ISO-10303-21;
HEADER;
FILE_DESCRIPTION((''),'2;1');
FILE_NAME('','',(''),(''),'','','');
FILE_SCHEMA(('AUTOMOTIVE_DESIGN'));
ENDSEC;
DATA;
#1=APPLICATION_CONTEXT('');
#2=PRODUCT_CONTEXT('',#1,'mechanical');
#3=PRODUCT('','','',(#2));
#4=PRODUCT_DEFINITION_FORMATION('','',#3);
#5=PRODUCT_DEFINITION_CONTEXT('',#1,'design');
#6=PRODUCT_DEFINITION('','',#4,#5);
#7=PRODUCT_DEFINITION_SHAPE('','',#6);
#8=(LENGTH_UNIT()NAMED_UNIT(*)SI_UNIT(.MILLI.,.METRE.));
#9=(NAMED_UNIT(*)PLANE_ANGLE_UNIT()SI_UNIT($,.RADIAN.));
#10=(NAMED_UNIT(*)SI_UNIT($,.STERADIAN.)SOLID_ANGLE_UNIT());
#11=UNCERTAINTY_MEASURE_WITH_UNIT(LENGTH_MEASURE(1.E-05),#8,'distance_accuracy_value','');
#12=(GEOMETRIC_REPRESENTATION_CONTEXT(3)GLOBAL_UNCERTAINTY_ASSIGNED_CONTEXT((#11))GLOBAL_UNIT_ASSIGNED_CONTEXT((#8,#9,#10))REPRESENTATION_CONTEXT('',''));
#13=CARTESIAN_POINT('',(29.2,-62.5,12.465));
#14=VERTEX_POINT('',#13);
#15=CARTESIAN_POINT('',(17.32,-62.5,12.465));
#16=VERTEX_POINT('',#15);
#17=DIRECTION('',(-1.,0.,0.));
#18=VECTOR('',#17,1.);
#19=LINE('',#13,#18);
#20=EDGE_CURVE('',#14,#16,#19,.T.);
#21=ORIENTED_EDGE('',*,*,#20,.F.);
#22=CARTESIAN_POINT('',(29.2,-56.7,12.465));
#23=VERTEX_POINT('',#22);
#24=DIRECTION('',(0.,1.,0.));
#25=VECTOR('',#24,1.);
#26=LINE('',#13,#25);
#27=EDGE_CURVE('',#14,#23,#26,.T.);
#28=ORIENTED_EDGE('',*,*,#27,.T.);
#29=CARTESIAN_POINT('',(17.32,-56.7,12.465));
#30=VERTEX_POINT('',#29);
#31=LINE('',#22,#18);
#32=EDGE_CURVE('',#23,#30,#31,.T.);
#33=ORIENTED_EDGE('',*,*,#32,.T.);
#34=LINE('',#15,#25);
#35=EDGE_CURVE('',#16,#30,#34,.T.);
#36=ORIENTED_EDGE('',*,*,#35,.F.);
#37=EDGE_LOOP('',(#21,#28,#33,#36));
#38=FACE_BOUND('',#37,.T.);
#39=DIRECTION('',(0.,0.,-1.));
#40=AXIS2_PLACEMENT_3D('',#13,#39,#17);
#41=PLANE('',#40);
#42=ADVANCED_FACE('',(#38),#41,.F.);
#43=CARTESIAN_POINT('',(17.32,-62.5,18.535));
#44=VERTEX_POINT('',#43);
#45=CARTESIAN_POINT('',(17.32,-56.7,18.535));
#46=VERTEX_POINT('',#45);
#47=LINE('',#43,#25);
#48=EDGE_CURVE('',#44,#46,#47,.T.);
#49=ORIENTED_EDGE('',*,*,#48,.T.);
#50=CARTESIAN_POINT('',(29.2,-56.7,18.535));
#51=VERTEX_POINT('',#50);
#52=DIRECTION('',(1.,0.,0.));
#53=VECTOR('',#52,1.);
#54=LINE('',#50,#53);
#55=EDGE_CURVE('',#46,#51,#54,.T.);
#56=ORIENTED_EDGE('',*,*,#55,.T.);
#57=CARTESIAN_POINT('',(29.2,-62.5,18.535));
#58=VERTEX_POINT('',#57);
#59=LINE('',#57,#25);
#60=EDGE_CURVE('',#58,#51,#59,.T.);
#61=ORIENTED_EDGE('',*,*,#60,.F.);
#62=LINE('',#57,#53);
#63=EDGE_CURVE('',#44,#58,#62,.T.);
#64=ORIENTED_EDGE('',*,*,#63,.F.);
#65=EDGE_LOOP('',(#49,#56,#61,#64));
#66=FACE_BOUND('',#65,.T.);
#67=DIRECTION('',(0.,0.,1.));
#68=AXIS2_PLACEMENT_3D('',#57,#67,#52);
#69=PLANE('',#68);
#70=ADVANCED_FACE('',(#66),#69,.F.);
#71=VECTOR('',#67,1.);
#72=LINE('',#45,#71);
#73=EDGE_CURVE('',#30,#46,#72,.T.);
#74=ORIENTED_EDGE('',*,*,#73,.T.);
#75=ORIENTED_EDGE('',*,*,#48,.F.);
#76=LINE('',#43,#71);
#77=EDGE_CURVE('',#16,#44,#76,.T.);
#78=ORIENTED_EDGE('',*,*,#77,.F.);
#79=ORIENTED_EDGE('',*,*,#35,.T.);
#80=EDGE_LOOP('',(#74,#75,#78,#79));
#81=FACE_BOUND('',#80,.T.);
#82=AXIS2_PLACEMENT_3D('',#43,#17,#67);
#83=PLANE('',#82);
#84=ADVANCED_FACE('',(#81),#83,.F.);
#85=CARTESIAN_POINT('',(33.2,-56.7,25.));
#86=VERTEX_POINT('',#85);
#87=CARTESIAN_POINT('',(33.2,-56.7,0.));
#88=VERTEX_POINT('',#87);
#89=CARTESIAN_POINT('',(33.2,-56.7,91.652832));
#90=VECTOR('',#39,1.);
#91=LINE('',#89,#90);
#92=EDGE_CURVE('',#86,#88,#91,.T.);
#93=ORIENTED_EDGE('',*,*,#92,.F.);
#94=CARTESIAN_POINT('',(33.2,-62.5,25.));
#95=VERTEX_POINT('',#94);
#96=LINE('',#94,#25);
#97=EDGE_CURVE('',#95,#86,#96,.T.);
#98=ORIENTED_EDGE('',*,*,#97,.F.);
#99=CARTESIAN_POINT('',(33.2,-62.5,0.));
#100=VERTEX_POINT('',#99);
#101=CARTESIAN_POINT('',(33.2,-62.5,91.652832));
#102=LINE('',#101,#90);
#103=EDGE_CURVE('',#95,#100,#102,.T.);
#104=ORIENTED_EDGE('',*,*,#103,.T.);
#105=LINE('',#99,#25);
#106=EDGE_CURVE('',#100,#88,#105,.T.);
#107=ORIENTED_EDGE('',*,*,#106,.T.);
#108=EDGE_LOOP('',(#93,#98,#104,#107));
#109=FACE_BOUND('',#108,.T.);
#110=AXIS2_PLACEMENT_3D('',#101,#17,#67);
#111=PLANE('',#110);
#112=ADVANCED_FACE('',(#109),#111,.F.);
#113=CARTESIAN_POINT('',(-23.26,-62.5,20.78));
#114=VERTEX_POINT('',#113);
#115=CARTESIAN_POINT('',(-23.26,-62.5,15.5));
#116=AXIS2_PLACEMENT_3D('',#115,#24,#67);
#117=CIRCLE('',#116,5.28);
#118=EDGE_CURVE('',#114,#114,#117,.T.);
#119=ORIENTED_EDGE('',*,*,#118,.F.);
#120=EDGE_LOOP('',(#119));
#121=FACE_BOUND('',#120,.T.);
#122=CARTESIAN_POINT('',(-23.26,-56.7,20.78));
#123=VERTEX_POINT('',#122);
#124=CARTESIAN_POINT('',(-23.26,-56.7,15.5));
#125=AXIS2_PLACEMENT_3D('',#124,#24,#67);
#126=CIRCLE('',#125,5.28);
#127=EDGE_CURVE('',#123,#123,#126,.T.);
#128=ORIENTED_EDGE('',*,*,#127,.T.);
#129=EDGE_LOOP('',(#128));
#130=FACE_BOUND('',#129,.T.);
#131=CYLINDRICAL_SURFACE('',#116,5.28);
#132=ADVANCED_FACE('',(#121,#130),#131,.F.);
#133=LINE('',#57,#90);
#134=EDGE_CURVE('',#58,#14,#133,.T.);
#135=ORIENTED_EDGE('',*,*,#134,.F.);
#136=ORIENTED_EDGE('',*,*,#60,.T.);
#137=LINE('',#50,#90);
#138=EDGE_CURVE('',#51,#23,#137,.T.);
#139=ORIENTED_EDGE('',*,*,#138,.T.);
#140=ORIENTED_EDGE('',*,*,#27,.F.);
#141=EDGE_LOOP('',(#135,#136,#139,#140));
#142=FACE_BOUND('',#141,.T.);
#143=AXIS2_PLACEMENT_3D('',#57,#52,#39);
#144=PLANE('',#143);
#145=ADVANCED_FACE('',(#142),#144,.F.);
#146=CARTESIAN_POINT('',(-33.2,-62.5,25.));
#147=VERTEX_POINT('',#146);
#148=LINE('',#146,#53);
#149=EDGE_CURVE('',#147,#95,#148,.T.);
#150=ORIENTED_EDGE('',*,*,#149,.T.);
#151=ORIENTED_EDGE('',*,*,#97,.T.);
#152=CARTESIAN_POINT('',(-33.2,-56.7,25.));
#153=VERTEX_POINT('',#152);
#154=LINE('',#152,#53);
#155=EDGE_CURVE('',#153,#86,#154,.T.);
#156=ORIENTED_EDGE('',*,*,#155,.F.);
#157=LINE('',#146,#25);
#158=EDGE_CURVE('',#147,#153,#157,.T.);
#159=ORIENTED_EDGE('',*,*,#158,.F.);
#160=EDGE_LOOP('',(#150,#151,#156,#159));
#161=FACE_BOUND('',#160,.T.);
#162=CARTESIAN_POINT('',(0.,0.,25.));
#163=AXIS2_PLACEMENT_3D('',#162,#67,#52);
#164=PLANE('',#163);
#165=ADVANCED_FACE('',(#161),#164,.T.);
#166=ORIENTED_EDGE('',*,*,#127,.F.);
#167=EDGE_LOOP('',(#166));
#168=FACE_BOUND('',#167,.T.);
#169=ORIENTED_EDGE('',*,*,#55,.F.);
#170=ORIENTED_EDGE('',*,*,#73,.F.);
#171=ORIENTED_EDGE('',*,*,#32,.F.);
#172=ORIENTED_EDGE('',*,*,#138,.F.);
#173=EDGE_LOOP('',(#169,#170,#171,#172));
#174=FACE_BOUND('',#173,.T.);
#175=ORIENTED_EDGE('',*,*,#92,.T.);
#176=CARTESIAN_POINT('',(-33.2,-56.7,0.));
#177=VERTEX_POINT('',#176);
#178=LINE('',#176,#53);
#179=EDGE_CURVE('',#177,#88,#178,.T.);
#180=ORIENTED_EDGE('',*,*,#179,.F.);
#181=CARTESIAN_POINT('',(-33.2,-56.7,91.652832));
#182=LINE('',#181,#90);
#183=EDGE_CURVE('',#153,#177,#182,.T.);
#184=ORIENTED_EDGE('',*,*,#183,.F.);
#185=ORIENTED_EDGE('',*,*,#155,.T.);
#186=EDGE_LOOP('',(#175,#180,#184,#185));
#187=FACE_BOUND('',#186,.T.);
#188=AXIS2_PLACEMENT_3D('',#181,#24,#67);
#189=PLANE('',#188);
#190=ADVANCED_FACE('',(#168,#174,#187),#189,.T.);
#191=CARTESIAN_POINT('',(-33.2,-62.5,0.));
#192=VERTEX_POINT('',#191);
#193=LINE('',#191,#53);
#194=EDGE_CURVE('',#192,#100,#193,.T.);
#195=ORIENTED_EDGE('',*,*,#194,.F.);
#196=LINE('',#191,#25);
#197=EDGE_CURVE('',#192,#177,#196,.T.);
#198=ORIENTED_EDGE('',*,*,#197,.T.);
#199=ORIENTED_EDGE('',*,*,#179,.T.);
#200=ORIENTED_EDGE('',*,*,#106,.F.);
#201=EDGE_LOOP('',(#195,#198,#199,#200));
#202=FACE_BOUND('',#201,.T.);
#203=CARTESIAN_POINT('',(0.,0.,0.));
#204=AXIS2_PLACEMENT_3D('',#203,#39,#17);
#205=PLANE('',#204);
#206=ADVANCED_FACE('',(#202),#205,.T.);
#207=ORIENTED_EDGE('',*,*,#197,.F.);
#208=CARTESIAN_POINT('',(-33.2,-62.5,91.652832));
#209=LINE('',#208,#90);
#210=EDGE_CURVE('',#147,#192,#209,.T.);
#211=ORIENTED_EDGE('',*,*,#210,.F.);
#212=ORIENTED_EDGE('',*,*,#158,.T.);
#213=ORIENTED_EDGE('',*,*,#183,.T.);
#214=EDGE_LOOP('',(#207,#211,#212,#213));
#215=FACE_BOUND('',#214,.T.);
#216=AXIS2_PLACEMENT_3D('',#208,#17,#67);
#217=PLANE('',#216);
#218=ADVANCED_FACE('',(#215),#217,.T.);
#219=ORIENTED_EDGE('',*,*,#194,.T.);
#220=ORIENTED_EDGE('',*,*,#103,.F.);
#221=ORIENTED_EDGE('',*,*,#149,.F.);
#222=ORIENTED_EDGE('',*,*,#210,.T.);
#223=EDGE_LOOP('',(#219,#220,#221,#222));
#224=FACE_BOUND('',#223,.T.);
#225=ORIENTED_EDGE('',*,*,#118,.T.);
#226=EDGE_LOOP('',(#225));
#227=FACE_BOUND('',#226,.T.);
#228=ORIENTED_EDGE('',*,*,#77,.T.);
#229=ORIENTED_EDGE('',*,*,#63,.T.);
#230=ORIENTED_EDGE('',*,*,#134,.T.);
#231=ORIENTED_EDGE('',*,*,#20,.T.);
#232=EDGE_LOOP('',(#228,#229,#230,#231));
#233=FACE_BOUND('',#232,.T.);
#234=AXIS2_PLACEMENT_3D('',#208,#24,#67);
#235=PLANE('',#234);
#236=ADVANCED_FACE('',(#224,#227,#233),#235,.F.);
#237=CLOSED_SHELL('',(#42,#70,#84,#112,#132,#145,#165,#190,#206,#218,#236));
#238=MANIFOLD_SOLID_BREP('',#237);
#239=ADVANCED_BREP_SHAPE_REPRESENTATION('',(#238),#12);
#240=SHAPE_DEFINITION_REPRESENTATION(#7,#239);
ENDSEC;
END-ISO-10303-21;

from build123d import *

# Parameters (mm, degrees)
SKETCH1_W           = 66.4
SKETCH1_H           = 5.8
BOSS_EXTRUDE1_DEPTH = 25
SKETCH3_R           = 5.28
SKETCH3_W           = 11.88
SKETCH3_H           = 6.07
CUT_EXTRUDE3_DEPTH  = 6.8


with BuildPart() as part:
    # Sketch1 → Boss-Extrude1 (new body)
    with BuildSketch(Plane.XY):
        with Locations((0, -59.6)):
            Rectangle(SKETCH1_W, SKETCH1_H)
    extrude(amount=BOSS_EXTRUDE1_DEPTH)

    # Sketch3 → Cut-Extrude3 (cut, through all)
    with BuildSketch(Plane(origin=(0, -56.7, 0), x_dir=(1, 0, 0), z_dir=(0, 1, 0))):
        with Locations((-23.26, -15.500000019)):
            Circle(SKETCH3_R)
        with Locations((23.26, -15.500000019)):
            Rectangle(SKETCH3_W, SKETCH3_H)
    extrude(amount=-CUT_EXTRUDE3_DEPTH, mode=Mode.SUBTRACT)


solid = part.part
